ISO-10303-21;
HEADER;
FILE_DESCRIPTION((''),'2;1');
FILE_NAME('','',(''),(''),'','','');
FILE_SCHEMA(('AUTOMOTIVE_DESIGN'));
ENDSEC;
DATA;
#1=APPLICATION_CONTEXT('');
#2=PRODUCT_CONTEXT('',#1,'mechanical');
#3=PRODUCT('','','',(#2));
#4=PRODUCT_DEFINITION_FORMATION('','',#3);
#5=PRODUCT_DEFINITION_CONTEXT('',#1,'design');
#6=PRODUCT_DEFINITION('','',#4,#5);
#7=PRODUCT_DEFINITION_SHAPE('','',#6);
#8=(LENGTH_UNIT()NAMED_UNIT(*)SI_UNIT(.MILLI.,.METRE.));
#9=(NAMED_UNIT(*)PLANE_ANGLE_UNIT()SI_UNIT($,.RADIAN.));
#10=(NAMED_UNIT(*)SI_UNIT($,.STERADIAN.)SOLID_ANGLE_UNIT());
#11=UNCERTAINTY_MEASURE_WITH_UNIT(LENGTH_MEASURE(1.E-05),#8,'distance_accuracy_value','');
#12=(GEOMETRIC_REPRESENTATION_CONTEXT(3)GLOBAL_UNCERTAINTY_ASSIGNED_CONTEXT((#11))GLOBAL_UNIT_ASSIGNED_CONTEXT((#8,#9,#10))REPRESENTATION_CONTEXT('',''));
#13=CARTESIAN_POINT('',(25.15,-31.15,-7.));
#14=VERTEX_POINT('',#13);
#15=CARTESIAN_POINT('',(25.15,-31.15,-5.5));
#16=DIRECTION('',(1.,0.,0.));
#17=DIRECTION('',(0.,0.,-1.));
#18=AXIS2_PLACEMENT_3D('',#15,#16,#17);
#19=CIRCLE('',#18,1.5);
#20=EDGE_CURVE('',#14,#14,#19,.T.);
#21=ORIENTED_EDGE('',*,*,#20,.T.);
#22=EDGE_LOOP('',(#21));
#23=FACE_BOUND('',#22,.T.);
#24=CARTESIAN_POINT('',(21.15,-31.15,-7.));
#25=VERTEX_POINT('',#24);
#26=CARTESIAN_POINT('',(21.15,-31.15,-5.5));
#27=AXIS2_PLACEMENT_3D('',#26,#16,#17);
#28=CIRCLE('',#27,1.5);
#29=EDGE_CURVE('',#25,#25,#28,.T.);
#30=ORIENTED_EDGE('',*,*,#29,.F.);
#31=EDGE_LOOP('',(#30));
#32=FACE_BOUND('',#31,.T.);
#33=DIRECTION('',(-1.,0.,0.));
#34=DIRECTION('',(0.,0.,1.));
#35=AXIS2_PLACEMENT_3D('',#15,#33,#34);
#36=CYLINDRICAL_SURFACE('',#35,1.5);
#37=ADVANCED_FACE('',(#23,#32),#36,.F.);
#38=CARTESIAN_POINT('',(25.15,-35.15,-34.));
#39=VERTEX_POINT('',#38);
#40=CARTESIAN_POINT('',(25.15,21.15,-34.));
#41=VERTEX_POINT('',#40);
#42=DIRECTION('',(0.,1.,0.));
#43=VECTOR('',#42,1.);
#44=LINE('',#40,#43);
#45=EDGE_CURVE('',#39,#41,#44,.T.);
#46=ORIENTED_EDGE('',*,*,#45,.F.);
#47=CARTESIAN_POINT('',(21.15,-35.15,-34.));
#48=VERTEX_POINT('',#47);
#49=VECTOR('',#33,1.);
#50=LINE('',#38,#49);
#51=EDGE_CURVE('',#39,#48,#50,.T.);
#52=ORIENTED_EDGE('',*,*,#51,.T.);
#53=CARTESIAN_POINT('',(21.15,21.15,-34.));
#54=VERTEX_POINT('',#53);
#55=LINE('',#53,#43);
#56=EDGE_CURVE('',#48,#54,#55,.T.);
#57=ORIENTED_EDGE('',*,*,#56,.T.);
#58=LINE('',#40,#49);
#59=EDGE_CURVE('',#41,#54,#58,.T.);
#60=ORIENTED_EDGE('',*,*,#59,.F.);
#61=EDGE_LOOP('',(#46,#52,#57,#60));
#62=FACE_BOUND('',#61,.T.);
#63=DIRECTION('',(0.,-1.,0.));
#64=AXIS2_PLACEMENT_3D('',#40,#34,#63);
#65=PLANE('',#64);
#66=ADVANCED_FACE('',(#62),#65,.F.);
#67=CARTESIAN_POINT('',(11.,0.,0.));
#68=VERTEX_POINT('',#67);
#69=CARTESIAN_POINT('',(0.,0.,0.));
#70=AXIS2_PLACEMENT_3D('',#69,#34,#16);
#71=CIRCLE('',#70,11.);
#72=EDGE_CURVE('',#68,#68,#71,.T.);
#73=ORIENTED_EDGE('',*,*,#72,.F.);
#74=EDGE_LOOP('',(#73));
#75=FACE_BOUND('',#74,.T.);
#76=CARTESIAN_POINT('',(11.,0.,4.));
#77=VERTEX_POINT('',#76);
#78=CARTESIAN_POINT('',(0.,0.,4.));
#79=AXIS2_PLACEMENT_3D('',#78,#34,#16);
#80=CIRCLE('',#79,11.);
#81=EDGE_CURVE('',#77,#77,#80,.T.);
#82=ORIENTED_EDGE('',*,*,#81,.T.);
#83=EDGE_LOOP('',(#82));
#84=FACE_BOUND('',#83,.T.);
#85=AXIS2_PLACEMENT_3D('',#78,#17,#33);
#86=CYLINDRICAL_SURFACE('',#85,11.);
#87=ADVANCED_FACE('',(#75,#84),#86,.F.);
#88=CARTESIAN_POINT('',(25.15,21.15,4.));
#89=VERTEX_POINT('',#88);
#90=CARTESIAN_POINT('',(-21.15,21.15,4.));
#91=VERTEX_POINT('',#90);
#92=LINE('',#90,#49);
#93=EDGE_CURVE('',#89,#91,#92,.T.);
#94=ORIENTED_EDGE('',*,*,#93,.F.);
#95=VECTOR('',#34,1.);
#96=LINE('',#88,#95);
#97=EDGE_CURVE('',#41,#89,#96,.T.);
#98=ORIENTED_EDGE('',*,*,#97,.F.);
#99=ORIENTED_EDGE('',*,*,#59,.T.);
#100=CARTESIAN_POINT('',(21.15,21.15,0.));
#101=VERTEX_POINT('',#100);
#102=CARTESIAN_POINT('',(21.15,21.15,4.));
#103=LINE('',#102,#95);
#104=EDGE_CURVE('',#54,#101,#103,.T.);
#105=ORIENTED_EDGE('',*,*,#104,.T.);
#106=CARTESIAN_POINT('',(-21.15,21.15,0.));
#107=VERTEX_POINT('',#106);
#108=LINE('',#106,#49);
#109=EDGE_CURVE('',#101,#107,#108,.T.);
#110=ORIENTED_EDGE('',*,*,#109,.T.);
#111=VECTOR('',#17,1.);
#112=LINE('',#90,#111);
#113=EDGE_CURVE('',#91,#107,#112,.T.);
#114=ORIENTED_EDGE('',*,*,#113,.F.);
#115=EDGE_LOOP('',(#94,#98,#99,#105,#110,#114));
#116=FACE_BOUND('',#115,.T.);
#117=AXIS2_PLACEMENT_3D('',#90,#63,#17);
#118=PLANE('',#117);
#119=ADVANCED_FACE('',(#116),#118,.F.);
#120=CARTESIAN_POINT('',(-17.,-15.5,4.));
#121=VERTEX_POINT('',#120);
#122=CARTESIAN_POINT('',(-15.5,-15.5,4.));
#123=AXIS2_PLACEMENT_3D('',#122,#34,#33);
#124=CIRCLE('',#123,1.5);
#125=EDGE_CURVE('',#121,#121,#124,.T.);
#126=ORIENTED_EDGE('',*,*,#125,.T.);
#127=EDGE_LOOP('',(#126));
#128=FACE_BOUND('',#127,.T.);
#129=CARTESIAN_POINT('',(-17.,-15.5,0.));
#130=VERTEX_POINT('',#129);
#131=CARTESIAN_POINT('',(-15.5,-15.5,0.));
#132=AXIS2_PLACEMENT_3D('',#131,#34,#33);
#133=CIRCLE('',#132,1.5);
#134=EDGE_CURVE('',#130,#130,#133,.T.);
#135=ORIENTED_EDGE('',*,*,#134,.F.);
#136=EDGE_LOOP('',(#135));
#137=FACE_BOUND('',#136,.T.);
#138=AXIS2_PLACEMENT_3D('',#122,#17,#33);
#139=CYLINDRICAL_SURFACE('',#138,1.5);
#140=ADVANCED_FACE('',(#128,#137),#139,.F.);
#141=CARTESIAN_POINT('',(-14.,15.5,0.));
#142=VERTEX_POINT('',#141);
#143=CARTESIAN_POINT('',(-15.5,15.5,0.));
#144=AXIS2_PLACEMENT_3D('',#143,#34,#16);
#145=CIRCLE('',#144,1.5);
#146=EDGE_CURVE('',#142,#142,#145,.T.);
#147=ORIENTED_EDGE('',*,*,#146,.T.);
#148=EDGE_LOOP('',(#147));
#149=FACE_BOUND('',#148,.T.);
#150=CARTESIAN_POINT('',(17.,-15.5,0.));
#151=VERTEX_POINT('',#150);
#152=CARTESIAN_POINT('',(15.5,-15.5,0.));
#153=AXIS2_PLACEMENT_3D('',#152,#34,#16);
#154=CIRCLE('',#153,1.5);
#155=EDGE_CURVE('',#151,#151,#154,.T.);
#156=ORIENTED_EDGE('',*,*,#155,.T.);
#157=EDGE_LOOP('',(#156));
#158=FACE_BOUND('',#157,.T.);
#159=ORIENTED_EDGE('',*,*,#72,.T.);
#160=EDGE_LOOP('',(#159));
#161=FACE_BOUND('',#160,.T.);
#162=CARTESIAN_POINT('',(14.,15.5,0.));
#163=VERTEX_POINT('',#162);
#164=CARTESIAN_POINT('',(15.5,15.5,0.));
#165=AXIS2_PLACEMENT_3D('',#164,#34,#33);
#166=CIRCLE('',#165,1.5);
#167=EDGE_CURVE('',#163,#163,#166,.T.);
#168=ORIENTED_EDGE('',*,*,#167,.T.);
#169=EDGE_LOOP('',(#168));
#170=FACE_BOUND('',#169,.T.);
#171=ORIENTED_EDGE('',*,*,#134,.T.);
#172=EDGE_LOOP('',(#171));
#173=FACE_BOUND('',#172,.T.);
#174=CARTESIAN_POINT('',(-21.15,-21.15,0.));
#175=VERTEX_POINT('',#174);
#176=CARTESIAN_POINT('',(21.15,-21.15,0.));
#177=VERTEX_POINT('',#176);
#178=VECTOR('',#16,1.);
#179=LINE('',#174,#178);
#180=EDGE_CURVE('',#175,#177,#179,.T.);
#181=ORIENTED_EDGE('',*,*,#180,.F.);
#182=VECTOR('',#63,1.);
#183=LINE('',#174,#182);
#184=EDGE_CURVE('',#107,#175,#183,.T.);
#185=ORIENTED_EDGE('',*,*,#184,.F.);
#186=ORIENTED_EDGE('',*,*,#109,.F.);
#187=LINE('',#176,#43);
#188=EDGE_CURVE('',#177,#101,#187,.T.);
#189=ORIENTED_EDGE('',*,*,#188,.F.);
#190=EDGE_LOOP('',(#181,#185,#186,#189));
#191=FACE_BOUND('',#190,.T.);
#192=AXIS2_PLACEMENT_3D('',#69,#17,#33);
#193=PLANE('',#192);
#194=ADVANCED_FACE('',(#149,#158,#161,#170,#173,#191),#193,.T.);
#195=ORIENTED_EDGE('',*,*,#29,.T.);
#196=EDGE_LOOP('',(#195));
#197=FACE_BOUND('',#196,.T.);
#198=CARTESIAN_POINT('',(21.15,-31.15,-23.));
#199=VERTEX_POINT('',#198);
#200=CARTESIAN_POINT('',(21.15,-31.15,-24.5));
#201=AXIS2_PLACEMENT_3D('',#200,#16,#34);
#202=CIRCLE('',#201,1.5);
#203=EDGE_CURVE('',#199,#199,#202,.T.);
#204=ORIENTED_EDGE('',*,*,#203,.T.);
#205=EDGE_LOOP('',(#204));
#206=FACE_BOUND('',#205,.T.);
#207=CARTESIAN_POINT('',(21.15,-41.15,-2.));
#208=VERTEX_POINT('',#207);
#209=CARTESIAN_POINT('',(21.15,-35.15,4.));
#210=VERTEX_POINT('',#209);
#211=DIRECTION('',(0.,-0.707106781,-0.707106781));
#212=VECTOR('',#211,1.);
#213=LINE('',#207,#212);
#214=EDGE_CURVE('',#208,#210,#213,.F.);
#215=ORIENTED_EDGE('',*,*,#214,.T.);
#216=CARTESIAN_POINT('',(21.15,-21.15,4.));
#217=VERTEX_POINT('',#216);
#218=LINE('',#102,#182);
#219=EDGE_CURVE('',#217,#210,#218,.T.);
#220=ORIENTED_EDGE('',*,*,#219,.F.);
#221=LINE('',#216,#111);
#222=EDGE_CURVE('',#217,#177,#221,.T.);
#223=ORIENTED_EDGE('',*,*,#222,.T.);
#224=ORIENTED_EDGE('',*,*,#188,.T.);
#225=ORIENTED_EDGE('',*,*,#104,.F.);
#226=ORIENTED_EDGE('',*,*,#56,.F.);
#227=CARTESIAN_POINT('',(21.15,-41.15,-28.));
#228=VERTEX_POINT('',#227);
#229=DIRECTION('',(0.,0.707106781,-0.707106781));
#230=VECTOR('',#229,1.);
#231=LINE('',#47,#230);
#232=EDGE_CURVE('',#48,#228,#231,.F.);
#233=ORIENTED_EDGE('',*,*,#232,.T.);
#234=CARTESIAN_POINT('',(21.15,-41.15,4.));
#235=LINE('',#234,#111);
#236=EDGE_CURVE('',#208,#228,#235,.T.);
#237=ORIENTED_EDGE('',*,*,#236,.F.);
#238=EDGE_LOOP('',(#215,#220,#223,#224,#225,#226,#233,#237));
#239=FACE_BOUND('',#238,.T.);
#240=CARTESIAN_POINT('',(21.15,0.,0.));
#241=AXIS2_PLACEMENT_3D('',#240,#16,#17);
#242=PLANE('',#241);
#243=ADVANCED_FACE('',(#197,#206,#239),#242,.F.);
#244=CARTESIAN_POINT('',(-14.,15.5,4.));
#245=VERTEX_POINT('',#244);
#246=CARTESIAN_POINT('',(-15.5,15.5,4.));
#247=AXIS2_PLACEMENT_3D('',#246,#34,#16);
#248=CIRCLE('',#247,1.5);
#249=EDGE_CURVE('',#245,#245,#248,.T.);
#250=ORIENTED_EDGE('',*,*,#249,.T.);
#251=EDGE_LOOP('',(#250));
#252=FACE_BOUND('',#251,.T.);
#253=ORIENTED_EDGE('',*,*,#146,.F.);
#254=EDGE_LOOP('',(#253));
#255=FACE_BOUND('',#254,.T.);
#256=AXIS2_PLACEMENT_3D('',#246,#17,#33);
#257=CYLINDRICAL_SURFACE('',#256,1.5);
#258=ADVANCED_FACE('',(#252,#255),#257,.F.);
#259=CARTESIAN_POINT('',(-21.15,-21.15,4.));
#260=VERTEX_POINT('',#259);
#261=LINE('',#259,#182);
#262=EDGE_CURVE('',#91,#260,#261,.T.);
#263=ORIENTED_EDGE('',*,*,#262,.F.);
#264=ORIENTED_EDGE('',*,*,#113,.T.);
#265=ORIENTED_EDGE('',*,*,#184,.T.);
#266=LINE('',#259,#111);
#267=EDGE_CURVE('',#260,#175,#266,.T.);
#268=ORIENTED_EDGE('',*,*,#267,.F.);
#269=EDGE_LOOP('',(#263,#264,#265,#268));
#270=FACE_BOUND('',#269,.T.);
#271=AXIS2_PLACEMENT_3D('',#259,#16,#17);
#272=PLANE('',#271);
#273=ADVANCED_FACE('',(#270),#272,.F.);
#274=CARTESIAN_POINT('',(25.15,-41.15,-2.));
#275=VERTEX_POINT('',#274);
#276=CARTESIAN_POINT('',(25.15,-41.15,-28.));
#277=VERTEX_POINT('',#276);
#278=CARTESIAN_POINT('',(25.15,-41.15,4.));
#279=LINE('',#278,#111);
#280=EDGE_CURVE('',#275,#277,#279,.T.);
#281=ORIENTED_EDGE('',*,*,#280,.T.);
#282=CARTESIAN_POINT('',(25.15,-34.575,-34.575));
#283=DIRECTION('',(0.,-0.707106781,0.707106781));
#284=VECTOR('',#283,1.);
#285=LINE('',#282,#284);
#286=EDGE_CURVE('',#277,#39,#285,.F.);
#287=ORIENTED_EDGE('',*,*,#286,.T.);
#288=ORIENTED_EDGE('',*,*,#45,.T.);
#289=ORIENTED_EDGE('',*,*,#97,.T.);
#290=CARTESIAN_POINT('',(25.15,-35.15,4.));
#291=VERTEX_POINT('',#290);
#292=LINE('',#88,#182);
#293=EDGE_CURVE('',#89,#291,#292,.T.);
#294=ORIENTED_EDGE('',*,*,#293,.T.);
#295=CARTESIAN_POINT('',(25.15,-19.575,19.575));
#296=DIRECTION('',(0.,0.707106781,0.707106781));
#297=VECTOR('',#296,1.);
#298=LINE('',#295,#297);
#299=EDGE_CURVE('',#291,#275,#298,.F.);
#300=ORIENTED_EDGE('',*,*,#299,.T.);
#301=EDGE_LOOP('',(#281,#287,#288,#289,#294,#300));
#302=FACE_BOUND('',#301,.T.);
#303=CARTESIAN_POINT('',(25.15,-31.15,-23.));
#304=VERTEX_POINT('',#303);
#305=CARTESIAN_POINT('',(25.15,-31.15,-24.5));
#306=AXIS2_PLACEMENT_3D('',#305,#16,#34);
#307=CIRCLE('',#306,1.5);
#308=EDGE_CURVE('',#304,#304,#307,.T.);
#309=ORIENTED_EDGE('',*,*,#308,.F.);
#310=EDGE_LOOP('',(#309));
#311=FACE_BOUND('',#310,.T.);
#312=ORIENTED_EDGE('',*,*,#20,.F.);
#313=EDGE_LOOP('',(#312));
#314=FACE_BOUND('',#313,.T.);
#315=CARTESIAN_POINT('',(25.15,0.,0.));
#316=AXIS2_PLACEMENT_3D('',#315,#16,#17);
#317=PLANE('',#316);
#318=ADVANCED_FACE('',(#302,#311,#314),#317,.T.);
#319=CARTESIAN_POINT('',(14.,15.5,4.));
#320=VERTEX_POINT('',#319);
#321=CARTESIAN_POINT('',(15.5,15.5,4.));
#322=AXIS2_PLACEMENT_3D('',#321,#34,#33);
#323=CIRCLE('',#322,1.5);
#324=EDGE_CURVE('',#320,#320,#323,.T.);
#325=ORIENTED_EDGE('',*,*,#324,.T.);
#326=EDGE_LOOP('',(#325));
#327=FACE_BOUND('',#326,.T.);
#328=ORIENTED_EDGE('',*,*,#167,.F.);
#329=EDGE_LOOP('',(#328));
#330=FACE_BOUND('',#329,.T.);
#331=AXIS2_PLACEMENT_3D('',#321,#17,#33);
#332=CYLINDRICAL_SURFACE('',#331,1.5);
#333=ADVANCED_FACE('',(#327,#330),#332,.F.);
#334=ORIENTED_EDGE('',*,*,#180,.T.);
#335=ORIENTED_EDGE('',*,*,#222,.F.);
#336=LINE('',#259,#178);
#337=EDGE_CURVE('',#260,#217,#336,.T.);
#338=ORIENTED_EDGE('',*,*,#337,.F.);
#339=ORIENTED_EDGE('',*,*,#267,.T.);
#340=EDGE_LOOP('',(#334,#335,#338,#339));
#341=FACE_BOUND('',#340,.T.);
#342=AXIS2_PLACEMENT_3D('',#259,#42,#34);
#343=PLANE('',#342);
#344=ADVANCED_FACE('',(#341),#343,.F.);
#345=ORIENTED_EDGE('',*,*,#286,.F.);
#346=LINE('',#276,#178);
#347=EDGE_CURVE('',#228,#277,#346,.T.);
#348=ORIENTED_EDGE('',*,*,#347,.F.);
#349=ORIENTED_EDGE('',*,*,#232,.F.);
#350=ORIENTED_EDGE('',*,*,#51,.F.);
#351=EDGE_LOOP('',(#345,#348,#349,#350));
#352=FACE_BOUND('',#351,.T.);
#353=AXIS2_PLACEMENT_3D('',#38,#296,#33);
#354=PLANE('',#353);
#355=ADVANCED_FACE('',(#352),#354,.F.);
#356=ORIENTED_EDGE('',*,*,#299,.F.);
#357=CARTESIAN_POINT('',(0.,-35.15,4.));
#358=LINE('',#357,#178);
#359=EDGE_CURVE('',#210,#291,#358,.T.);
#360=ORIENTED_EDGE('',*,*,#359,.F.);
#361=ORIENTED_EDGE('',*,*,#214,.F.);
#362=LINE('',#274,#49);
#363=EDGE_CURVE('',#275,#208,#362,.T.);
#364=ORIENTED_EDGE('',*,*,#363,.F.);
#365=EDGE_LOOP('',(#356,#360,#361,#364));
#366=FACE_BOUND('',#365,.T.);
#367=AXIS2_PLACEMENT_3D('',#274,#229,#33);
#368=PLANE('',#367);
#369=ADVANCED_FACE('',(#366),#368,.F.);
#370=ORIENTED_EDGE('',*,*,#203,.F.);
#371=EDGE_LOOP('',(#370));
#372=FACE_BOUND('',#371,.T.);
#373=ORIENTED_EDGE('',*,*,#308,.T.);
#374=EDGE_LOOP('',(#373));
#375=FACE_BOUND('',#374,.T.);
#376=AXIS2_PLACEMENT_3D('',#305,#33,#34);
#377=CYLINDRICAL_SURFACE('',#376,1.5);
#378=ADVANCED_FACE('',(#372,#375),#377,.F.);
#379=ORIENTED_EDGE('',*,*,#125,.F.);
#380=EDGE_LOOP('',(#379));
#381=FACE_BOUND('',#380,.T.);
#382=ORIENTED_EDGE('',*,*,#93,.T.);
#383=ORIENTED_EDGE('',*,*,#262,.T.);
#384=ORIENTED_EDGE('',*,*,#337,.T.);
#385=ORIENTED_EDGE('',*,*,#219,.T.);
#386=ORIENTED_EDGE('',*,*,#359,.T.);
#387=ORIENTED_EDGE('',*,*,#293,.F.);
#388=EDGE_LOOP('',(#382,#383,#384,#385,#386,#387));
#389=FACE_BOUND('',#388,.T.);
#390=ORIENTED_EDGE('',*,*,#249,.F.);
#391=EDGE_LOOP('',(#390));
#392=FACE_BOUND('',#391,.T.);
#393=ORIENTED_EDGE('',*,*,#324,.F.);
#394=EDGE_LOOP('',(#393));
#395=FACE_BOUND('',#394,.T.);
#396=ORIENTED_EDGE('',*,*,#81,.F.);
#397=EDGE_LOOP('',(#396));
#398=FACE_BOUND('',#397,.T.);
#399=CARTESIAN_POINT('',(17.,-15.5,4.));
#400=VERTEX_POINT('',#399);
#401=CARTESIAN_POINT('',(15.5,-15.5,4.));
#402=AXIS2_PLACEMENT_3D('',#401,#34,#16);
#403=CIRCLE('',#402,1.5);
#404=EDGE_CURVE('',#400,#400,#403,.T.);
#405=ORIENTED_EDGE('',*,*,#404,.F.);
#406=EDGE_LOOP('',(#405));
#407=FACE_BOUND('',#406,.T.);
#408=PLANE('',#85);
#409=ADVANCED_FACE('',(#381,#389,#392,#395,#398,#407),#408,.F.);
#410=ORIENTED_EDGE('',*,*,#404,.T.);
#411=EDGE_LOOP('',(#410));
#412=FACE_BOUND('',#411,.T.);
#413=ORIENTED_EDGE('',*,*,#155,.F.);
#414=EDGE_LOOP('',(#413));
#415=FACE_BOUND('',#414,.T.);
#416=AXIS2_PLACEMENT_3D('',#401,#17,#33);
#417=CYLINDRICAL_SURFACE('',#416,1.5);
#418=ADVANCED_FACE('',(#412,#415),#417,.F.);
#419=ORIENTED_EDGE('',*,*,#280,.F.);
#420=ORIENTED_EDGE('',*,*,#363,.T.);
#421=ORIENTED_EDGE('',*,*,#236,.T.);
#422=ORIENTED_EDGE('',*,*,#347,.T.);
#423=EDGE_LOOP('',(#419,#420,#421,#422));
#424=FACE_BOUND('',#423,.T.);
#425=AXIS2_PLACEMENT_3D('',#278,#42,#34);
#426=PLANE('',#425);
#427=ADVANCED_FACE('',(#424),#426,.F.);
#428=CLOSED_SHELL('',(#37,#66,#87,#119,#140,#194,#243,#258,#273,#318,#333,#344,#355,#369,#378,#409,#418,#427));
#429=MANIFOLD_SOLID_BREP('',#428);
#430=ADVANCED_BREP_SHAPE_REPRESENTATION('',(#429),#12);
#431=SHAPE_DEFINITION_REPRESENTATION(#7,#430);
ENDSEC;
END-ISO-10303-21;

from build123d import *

# Parameters (mm, degrees)
SKETCH_1_W      = 42.3
SKETCH_1_H      = 42.3
SKETCH_1_R      = 11
SKETCH_1_R_2    = 1.5
EXTRUDE_1_DEPTH = 4
SKETCH_2_W      = 38
SKETCH_2_H      = 62.3
SKETCH_2_R      = 1.5
EXTRUDE_2_DEPTH = 4
CHAMFER_1_SIZE  = 6


with BuildPart() as part:
    # 스케치1 → 보스-돌출1 (new body)
    with BuildSketch(Plane.XY):
        Rectangle(SKETCH_1_W, SKETCH_1_H)
        Circle(SKETCH_1_R, mode=Mode.SUBTRACT)
        with Locations((-15.5, 15.5)):
            Circle(SKETCH_1_R_2, mode=Mode.SUBTRACT)
        with Locations(Location((15.5, 15.5, 0), (0, 0, 180))):
            Circle(SKETCH_1_R_2, mode=Mode.SUBTRACT)
        with Locations((15.5, -15.5)):
            Circle(SKETCH_1_R_2, mode=Mode.SUBTRACT)
        with Locations(Location((-15.5, -15.5, 0), (0, 0, 180))):
            Circle(SKETCH_1_R_2, mode=Mode.SUBTRACT)
    extrude(amount=EXTRUDE_1_DEPTH)

    # 스케치2 → 보스-돌출2 (add)
    with BuildSketch(Plane(origin=(21.15, 0, 0), x_dir=(0, 0, -1), z_dir=(1, 0, 0))):
        with Locations((15, -10)):
            Rectangle(SKETCH_2_W, SKETCH_2_H)
        with Locations((5.5, -31.15)):
            Circle(SKETCH_2_R, mode=Mode.SUBTRACT)
        with Locations(Location((24.5, -31.15, 0), (0, 0, 180))):
            Circle(SKETCH_2_R, mode=Mode.SUBTRACT)
    extrude(amount=EXTRUDE_2_DEPTH)

    # 모따기1
    chamfer_1_edges = [part.edges().sort_by_distance(p)[0] for p in [
        (23.15, -41.15, 4),
        (23.15, -41.15, -34),
    ]]
    chamfer(chamfer_1_edges, length=CHAMFER_1_SIZE)


solid = part.part
